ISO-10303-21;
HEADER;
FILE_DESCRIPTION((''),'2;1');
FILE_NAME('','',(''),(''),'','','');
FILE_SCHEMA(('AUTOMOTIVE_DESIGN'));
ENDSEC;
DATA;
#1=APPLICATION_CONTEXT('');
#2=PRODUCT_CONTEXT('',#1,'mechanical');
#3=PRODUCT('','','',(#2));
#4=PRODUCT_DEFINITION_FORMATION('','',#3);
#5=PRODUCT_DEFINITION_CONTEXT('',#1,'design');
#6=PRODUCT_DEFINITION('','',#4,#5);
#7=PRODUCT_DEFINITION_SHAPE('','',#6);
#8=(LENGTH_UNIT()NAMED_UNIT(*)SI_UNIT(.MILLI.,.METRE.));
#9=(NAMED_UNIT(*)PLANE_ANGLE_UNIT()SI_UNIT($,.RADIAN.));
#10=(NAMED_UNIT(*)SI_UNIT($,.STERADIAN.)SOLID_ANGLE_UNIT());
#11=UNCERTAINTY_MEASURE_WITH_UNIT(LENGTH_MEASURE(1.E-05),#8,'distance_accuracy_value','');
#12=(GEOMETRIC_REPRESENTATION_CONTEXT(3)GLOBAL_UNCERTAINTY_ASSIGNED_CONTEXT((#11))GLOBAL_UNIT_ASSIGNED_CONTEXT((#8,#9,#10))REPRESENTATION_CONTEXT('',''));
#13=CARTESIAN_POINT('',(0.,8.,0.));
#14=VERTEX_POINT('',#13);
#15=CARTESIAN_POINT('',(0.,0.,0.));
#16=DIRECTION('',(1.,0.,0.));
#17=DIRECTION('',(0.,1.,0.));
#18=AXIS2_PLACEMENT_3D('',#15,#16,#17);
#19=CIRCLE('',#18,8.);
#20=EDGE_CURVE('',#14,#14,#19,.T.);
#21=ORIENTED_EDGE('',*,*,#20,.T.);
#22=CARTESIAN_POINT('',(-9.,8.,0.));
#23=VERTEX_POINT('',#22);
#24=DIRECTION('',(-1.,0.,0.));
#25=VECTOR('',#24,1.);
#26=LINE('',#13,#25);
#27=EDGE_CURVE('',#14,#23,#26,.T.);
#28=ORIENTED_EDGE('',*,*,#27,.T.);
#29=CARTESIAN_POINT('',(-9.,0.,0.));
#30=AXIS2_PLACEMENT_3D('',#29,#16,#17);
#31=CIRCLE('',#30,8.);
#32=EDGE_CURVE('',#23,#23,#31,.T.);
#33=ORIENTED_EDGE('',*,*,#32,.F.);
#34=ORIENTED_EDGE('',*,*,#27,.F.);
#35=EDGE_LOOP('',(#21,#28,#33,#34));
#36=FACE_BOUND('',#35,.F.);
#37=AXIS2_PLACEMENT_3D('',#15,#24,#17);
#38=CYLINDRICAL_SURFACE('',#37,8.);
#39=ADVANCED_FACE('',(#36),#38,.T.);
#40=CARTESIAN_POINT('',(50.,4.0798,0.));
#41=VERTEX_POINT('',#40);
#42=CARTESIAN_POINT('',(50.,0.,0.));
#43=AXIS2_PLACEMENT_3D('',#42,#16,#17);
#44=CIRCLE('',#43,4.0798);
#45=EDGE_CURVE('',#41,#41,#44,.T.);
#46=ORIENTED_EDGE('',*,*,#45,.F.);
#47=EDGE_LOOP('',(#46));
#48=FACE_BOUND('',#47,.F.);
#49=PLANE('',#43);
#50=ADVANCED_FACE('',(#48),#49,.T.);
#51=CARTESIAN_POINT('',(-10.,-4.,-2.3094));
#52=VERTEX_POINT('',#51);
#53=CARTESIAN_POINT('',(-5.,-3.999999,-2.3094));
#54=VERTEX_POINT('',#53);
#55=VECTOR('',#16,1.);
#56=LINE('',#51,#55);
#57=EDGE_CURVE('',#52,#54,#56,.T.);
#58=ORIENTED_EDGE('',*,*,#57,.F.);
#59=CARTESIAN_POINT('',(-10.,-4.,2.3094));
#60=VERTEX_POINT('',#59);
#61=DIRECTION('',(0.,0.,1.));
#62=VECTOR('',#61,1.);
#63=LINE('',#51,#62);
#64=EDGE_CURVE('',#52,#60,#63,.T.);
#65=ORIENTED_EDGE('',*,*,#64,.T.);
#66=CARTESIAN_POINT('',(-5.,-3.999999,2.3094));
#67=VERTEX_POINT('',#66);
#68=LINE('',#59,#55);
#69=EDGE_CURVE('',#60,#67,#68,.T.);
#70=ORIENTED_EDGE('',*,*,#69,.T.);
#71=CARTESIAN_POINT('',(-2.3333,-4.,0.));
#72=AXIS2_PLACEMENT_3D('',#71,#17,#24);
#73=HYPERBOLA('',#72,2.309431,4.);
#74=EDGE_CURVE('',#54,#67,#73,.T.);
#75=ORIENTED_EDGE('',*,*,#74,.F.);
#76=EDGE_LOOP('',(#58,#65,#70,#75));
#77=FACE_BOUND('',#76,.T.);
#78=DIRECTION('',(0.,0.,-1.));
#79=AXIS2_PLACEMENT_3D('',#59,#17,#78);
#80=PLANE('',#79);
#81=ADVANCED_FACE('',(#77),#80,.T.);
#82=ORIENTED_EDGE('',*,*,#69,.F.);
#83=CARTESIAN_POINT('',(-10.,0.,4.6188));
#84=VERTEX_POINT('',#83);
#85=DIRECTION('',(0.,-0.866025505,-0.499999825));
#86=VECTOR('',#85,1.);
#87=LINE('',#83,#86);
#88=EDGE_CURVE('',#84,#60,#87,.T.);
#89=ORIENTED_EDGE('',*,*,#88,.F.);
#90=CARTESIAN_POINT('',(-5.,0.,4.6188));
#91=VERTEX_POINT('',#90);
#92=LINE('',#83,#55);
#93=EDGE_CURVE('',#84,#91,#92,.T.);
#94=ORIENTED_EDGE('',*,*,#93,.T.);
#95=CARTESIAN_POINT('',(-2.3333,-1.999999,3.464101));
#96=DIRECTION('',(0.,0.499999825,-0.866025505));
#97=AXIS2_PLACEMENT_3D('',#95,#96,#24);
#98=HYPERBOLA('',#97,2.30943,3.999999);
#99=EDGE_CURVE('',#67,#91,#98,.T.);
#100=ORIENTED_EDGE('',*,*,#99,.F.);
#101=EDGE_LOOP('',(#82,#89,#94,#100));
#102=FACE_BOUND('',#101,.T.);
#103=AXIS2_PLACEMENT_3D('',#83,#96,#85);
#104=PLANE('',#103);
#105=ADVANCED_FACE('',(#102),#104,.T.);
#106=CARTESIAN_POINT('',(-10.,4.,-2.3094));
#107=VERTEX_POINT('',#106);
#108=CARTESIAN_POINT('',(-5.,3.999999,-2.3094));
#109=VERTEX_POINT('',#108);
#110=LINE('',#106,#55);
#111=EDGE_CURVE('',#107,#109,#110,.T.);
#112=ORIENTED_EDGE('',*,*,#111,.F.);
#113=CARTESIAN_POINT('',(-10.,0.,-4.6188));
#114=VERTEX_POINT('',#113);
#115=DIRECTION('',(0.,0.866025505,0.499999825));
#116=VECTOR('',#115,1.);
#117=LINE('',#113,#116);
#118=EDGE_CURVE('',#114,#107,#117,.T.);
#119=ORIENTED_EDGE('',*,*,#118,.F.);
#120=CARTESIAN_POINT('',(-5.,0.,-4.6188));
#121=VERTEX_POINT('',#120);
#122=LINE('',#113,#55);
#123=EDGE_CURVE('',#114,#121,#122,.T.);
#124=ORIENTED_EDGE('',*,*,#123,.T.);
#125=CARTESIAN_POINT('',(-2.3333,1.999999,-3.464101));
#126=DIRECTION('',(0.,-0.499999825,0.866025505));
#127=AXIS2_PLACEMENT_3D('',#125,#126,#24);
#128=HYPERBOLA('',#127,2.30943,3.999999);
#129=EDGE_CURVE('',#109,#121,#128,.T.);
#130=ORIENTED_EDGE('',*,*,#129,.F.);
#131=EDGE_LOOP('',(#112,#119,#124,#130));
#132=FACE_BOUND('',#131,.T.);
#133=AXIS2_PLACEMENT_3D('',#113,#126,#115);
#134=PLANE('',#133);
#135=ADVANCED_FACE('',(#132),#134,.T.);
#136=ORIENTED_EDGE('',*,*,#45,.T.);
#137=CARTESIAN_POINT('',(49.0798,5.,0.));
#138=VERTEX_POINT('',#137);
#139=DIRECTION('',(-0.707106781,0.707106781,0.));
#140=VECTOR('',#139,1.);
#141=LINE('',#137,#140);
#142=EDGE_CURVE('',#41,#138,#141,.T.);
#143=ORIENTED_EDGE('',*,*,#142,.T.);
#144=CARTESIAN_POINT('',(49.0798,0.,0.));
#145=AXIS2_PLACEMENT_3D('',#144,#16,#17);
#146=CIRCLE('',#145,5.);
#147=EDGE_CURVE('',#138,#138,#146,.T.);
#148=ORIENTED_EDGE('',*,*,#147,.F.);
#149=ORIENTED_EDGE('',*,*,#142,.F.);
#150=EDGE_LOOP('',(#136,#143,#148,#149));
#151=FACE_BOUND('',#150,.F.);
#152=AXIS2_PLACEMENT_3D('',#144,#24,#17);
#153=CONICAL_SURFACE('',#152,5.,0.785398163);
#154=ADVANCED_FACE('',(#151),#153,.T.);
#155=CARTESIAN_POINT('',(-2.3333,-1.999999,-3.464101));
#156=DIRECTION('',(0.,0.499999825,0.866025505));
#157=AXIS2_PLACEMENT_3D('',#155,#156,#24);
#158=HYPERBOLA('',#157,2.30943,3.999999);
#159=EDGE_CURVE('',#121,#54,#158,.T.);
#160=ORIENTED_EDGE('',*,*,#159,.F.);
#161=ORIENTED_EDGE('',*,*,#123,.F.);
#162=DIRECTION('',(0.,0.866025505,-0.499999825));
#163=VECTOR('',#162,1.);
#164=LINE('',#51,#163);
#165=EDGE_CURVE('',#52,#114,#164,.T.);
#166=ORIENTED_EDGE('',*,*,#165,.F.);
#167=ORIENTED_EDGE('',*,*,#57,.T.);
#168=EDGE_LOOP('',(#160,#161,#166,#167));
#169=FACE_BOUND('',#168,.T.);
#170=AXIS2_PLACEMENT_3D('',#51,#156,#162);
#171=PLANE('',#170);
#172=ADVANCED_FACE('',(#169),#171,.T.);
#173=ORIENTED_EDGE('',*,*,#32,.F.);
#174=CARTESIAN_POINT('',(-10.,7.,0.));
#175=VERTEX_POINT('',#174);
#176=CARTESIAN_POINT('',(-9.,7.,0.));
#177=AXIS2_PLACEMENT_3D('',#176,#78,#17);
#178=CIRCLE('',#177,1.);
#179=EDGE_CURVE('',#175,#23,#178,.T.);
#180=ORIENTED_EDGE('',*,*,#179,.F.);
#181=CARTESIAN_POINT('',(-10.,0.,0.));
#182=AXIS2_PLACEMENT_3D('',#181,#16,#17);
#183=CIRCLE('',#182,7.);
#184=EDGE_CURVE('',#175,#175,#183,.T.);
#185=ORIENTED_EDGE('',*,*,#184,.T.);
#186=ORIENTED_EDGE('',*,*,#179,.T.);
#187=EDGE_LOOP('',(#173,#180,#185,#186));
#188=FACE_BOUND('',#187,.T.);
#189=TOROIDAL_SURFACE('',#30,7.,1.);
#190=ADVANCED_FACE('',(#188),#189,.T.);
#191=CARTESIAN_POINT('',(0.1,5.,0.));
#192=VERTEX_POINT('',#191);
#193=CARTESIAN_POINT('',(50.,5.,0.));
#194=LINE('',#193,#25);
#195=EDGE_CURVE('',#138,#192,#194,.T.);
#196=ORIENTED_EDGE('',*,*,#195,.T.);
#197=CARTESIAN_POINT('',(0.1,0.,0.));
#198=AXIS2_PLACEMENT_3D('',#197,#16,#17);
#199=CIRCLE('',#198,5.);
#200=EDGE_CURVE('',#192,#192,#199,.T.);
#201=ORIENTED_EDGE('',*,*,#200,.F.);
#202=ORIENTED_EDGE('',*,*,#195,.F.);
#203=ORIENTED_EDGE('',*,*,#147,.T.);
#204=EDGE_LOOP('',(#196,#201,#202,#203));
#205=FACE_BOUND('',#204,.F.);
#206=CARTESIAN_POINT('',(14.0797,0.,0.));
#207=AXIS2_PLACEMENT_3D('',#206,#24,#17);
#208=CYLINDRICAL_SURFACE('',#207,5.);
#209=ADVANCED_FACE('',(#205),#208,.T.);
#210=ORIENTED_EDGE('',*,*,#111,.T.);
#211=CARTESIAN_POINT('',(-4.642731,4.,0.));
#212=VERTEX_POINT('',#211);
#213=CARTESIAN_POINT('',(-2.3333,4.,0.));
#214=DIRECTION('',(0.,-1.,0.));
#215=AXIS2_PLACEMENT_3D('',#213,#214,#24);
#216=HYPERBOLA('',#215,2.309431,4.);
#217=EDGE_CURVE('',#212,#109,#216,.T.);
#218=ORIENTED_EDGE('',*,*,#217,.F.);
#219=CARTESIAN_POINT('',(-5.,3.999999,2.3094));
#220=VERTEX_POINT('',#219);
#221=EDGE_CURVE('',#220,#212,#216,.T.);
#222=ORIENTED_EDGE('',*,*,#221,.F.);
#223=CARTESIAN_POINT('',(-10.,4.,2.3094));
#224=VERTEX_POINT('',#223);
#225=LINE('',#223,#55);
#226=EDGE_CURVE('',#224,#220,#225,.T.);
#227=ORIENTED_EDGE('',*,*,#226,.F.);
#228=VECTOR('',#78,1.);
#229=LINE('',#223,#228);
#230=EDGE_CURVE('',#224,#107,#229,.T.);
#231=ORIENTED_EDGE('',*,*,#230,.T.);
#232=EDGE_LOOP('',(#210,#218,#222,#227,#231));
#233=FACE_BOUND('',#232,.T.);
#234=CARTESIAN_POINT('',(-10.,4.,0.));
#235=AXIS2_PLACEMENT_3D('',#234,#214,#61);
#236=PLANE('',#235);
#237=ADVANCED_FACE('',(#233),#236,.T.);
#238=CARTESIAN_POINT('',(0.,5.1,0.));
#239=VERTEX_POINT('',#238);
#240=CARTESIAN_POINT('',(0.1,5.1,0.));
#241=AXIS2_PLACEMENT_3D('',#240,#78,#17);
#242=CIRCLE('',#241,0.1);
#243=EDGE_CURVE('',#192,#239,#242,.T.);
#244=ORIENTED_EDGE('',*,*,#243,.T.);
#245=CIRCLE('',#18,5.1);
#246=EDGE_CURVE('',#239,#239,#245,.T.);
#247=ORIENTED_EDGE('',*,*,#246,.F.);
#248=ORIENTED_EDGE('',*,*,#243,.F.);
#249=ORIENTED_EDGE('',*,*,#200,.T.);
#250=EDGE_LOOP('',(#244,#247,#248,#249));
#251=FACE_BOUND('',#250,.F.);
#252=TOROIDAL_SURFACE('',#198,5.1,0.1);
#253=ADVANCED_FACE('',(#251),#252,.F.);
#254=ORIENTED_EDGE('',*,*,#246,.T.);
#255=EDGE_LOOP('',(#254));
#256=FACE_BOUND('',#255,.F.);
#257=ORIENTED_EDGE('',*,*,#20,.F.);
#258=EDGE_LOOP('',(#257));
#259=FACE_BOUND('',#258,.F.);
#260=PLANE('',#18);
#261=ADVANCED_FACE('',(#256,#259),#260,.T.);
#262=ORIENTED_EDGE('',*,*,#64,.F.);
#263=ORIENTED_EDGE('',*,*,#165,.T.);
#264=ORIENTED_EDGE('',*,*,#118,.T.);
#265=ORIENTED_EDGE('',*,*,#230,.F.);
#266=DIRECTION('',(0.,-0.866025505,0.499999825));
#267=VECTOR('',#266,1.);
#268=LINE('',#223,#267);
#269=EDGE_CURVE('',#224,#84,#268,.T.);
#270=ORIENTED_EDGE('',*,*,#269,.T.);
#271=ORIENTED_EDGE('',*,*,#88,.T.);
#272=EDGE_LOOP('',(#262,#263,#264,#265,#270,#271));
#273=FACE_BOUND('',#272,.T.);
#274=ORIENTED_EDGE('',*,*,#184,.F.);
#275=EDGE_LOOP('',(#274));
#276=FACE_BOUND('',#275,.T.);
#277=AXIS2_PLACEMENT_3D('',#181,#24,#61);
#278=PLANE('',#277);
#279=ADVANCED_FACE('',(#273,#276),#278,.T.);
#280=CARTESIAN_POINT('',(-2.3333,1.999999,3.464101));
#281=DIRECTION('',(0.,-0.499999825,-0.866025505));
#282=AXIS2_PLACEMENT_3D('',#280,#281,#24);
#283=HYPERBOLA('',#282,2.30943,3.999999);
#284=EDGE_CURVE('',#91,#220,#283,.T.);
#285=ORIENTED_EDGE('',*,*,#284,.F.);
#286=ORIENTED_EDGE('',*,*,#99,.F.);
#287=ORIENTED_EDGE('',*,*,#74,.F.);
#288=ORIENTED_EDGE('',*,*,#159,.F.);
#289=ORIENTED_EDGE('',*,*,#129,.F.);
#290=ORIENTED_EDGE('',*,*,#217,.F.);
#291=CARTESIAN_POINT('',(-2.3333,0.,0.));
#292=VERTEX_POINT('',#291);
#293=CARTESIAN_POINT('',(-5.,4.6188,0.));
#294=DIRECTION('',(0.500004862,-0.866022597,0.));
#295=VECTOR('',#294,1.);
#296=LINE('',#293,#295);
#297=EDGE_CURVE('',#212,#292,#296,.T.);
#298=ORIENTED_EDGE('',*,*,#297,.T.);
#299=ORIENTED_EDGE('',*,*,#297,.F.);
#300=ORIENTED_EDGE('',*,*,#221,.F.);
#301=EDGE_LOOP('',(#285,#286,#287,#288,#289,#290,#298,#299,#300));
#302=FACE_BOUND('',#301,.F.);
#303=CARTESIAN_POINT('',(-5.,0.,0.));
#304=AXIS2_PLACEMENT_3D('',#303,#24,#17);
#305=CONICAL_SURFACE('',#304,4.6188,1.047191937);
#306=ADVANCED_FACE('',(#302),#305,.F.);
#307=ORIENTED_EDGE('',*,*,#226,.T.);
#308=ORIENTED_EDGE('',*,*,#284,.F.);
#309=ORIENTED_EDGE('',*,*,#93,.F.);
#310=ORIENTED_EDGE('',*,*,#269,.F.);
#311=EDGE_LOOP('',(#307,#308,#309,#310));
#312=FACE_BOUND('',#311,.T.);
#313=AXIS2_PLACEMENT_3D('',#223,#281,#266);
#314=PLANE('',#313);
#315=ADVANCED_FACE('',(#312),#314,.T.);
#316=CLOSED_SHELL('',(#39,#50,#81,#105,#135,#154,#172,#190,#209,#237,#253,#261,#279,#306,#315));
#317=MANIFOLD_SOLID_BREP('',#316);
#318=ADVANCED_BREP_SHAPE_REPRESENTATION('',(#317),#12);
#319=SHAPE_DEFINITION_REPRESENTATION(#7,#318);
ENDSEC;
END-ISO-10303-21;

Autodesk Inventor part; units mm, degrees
ref_plane "YZ Plane" through (0, 0, 0) normal (1, 0, 0) x (0, 1, 0)
ref_plane "XZ Plane" through (0, 0, 0) normal (0, 1, 0) x (-1, 0, 0)
sketch "Rascunho1" plane through (0, 0, 0) normal (0, 0, 1) x (1, 0, 0)
  line L0 (-2.3333, 0) -> (50, 0)
  line L1 (50, 0) -> (50, 5)
  line L2 (50, 5) -> (15, 5)
  line L3 (15, 5) -> (14.0797, 5)
  line L4 (14.0797, 5) -> (0, 5)
  line L5 (0, 5) -> (0, 8)
  line L6 (0, 8) -> (-10, 8)
  line L7 (-10, 8) -> (-10, 4.6188)
  line L8 (-10, 4.6188) -> (-5, 4.6188)
  line L9 (-5, 4.6188) -> (-2.3333, 0)
  line L10 (-24, 0) -> (74, 0) projected
  line L11 (0, -1.6) -> (0, 9.6) projected
  line L12 (15, 5) -> (0, 5) construction
  dimension "d1" = 35
  dimension "d2" = 0.9203
  dimension "d3" = 10
  dimension "d4" = 5
  dimension "d5" = 60
  dimension "d6" = 10
  dimension "d7" = 10
  dimension "d8" = 9.2376
  dimension "d9" = 16
  dimension "d26" = 50
revolve "Corpo" add sketch "Rascunho1" angle 360 about axis through (-2.3333, 0, 0) along (1, 0, 0)
sketch "Rascunho2" plane through (-10, 0, 0) normal (-1, 0, 0) x (0, 0, 1)
  circle A0 centre (0, 0) radius 4.6188 projected
  line L0 (0, -11.2) -> (0, 11.2) projected
  line L1 (-11.2, 0) -> (11.2, 0) projected
  line L2 (4.6188, 0) -> (2.3094, -4)
  line L3 (2.3094, -4) -> (-2.3094, -4)
  line L4 (-2.3094, -4) -> (-4.6188, 0)
  line L5 (-4.6188, 0) -> (-2.3094, 4)
  line L6 (-2.3094, 4) -> (2.3094, 4)
  line L7 (2.3094, 4) -> (4.6188, 0)
extrude "Fenda" add sketch "Rascunho2" against normal up to next contours L7 A0 | A0 L2 | L6 L0 A0 | A0 L0 L3 | L0 L6 A0 | A0 L3 L0 | L4 A0 | A0 L5
fillet "Raio de arredondamento1" radius 1 1 edges at (-10, -8, 0)
thread "Rosca" size "M10x1.5" class "6g" standard "ISO Metric profile" length 35
chamfer "Chanfrar1" distance 0.9202 distance2 0.9202 1 edges at (50, -5, 0) measured on face at (50, -0.8768, -0.3989)
ref_plane "Work Plane1" through (29, 0, 0) normal (0, -1, 0) x (1, 0, 0)
fillet "Fillet2" radius 0.1 1 edges at (0, -5, 0)
equation "\"d1\" = GEL"
equation "\"d3\" = KOH"
equation "\"d4\" = INTI"
equation "\"d6\" = GD"
equation "\"d7\" = BDM"
equation "\"d8\" = 1.1547 * SW"
equation "\"d9\" = KOD"
equation "\"d26\" = NLG"
equation "\"d17\" = RR"
equation "\"d13\" = GEL"
equation "\"d15\" = -0.5 * SPD + 0.5 * GD"
equation "\"d16\" = GUL"
equation "\"d30\" = R"
equation "\"GD\" = NND"
equation "\"NLG\" = 50"
equation "\"GEL\" = 35"
equation "\"KOD\" = 16"
equation "\"KOH\" = 10"
equation "\"INTI\" = 5"
equation "\"GAL\" = 0.61345 * PTC"
equation "\"GUL\" = 0.61345 * PTC"
equation "\"BDM\" = NND"
equation "\"SW\" = 8"
equation "\"RR\" = 0.1 * KOH"
equation "\"SPD\" = NND - 1.2269 * PTC"
equation "\"R\" = 0.1"
equation "\"TOA\" = 30deg"
equation "\"GD1\" = THREADDIA - 1.2269 * PTC"
equation "\"FAWI\" = 45deg"
equation "\"ANG\" = 120deg"
equation "\"PTC\" = 1.5"
equation "\"E0\" = 1.155 * SW"
equation "\"NND\" = 10"
equation "\"THREADDIA\" = 10"
properties part number "DIN 912 - M10x50" material "Aço Inox AISI 304"
